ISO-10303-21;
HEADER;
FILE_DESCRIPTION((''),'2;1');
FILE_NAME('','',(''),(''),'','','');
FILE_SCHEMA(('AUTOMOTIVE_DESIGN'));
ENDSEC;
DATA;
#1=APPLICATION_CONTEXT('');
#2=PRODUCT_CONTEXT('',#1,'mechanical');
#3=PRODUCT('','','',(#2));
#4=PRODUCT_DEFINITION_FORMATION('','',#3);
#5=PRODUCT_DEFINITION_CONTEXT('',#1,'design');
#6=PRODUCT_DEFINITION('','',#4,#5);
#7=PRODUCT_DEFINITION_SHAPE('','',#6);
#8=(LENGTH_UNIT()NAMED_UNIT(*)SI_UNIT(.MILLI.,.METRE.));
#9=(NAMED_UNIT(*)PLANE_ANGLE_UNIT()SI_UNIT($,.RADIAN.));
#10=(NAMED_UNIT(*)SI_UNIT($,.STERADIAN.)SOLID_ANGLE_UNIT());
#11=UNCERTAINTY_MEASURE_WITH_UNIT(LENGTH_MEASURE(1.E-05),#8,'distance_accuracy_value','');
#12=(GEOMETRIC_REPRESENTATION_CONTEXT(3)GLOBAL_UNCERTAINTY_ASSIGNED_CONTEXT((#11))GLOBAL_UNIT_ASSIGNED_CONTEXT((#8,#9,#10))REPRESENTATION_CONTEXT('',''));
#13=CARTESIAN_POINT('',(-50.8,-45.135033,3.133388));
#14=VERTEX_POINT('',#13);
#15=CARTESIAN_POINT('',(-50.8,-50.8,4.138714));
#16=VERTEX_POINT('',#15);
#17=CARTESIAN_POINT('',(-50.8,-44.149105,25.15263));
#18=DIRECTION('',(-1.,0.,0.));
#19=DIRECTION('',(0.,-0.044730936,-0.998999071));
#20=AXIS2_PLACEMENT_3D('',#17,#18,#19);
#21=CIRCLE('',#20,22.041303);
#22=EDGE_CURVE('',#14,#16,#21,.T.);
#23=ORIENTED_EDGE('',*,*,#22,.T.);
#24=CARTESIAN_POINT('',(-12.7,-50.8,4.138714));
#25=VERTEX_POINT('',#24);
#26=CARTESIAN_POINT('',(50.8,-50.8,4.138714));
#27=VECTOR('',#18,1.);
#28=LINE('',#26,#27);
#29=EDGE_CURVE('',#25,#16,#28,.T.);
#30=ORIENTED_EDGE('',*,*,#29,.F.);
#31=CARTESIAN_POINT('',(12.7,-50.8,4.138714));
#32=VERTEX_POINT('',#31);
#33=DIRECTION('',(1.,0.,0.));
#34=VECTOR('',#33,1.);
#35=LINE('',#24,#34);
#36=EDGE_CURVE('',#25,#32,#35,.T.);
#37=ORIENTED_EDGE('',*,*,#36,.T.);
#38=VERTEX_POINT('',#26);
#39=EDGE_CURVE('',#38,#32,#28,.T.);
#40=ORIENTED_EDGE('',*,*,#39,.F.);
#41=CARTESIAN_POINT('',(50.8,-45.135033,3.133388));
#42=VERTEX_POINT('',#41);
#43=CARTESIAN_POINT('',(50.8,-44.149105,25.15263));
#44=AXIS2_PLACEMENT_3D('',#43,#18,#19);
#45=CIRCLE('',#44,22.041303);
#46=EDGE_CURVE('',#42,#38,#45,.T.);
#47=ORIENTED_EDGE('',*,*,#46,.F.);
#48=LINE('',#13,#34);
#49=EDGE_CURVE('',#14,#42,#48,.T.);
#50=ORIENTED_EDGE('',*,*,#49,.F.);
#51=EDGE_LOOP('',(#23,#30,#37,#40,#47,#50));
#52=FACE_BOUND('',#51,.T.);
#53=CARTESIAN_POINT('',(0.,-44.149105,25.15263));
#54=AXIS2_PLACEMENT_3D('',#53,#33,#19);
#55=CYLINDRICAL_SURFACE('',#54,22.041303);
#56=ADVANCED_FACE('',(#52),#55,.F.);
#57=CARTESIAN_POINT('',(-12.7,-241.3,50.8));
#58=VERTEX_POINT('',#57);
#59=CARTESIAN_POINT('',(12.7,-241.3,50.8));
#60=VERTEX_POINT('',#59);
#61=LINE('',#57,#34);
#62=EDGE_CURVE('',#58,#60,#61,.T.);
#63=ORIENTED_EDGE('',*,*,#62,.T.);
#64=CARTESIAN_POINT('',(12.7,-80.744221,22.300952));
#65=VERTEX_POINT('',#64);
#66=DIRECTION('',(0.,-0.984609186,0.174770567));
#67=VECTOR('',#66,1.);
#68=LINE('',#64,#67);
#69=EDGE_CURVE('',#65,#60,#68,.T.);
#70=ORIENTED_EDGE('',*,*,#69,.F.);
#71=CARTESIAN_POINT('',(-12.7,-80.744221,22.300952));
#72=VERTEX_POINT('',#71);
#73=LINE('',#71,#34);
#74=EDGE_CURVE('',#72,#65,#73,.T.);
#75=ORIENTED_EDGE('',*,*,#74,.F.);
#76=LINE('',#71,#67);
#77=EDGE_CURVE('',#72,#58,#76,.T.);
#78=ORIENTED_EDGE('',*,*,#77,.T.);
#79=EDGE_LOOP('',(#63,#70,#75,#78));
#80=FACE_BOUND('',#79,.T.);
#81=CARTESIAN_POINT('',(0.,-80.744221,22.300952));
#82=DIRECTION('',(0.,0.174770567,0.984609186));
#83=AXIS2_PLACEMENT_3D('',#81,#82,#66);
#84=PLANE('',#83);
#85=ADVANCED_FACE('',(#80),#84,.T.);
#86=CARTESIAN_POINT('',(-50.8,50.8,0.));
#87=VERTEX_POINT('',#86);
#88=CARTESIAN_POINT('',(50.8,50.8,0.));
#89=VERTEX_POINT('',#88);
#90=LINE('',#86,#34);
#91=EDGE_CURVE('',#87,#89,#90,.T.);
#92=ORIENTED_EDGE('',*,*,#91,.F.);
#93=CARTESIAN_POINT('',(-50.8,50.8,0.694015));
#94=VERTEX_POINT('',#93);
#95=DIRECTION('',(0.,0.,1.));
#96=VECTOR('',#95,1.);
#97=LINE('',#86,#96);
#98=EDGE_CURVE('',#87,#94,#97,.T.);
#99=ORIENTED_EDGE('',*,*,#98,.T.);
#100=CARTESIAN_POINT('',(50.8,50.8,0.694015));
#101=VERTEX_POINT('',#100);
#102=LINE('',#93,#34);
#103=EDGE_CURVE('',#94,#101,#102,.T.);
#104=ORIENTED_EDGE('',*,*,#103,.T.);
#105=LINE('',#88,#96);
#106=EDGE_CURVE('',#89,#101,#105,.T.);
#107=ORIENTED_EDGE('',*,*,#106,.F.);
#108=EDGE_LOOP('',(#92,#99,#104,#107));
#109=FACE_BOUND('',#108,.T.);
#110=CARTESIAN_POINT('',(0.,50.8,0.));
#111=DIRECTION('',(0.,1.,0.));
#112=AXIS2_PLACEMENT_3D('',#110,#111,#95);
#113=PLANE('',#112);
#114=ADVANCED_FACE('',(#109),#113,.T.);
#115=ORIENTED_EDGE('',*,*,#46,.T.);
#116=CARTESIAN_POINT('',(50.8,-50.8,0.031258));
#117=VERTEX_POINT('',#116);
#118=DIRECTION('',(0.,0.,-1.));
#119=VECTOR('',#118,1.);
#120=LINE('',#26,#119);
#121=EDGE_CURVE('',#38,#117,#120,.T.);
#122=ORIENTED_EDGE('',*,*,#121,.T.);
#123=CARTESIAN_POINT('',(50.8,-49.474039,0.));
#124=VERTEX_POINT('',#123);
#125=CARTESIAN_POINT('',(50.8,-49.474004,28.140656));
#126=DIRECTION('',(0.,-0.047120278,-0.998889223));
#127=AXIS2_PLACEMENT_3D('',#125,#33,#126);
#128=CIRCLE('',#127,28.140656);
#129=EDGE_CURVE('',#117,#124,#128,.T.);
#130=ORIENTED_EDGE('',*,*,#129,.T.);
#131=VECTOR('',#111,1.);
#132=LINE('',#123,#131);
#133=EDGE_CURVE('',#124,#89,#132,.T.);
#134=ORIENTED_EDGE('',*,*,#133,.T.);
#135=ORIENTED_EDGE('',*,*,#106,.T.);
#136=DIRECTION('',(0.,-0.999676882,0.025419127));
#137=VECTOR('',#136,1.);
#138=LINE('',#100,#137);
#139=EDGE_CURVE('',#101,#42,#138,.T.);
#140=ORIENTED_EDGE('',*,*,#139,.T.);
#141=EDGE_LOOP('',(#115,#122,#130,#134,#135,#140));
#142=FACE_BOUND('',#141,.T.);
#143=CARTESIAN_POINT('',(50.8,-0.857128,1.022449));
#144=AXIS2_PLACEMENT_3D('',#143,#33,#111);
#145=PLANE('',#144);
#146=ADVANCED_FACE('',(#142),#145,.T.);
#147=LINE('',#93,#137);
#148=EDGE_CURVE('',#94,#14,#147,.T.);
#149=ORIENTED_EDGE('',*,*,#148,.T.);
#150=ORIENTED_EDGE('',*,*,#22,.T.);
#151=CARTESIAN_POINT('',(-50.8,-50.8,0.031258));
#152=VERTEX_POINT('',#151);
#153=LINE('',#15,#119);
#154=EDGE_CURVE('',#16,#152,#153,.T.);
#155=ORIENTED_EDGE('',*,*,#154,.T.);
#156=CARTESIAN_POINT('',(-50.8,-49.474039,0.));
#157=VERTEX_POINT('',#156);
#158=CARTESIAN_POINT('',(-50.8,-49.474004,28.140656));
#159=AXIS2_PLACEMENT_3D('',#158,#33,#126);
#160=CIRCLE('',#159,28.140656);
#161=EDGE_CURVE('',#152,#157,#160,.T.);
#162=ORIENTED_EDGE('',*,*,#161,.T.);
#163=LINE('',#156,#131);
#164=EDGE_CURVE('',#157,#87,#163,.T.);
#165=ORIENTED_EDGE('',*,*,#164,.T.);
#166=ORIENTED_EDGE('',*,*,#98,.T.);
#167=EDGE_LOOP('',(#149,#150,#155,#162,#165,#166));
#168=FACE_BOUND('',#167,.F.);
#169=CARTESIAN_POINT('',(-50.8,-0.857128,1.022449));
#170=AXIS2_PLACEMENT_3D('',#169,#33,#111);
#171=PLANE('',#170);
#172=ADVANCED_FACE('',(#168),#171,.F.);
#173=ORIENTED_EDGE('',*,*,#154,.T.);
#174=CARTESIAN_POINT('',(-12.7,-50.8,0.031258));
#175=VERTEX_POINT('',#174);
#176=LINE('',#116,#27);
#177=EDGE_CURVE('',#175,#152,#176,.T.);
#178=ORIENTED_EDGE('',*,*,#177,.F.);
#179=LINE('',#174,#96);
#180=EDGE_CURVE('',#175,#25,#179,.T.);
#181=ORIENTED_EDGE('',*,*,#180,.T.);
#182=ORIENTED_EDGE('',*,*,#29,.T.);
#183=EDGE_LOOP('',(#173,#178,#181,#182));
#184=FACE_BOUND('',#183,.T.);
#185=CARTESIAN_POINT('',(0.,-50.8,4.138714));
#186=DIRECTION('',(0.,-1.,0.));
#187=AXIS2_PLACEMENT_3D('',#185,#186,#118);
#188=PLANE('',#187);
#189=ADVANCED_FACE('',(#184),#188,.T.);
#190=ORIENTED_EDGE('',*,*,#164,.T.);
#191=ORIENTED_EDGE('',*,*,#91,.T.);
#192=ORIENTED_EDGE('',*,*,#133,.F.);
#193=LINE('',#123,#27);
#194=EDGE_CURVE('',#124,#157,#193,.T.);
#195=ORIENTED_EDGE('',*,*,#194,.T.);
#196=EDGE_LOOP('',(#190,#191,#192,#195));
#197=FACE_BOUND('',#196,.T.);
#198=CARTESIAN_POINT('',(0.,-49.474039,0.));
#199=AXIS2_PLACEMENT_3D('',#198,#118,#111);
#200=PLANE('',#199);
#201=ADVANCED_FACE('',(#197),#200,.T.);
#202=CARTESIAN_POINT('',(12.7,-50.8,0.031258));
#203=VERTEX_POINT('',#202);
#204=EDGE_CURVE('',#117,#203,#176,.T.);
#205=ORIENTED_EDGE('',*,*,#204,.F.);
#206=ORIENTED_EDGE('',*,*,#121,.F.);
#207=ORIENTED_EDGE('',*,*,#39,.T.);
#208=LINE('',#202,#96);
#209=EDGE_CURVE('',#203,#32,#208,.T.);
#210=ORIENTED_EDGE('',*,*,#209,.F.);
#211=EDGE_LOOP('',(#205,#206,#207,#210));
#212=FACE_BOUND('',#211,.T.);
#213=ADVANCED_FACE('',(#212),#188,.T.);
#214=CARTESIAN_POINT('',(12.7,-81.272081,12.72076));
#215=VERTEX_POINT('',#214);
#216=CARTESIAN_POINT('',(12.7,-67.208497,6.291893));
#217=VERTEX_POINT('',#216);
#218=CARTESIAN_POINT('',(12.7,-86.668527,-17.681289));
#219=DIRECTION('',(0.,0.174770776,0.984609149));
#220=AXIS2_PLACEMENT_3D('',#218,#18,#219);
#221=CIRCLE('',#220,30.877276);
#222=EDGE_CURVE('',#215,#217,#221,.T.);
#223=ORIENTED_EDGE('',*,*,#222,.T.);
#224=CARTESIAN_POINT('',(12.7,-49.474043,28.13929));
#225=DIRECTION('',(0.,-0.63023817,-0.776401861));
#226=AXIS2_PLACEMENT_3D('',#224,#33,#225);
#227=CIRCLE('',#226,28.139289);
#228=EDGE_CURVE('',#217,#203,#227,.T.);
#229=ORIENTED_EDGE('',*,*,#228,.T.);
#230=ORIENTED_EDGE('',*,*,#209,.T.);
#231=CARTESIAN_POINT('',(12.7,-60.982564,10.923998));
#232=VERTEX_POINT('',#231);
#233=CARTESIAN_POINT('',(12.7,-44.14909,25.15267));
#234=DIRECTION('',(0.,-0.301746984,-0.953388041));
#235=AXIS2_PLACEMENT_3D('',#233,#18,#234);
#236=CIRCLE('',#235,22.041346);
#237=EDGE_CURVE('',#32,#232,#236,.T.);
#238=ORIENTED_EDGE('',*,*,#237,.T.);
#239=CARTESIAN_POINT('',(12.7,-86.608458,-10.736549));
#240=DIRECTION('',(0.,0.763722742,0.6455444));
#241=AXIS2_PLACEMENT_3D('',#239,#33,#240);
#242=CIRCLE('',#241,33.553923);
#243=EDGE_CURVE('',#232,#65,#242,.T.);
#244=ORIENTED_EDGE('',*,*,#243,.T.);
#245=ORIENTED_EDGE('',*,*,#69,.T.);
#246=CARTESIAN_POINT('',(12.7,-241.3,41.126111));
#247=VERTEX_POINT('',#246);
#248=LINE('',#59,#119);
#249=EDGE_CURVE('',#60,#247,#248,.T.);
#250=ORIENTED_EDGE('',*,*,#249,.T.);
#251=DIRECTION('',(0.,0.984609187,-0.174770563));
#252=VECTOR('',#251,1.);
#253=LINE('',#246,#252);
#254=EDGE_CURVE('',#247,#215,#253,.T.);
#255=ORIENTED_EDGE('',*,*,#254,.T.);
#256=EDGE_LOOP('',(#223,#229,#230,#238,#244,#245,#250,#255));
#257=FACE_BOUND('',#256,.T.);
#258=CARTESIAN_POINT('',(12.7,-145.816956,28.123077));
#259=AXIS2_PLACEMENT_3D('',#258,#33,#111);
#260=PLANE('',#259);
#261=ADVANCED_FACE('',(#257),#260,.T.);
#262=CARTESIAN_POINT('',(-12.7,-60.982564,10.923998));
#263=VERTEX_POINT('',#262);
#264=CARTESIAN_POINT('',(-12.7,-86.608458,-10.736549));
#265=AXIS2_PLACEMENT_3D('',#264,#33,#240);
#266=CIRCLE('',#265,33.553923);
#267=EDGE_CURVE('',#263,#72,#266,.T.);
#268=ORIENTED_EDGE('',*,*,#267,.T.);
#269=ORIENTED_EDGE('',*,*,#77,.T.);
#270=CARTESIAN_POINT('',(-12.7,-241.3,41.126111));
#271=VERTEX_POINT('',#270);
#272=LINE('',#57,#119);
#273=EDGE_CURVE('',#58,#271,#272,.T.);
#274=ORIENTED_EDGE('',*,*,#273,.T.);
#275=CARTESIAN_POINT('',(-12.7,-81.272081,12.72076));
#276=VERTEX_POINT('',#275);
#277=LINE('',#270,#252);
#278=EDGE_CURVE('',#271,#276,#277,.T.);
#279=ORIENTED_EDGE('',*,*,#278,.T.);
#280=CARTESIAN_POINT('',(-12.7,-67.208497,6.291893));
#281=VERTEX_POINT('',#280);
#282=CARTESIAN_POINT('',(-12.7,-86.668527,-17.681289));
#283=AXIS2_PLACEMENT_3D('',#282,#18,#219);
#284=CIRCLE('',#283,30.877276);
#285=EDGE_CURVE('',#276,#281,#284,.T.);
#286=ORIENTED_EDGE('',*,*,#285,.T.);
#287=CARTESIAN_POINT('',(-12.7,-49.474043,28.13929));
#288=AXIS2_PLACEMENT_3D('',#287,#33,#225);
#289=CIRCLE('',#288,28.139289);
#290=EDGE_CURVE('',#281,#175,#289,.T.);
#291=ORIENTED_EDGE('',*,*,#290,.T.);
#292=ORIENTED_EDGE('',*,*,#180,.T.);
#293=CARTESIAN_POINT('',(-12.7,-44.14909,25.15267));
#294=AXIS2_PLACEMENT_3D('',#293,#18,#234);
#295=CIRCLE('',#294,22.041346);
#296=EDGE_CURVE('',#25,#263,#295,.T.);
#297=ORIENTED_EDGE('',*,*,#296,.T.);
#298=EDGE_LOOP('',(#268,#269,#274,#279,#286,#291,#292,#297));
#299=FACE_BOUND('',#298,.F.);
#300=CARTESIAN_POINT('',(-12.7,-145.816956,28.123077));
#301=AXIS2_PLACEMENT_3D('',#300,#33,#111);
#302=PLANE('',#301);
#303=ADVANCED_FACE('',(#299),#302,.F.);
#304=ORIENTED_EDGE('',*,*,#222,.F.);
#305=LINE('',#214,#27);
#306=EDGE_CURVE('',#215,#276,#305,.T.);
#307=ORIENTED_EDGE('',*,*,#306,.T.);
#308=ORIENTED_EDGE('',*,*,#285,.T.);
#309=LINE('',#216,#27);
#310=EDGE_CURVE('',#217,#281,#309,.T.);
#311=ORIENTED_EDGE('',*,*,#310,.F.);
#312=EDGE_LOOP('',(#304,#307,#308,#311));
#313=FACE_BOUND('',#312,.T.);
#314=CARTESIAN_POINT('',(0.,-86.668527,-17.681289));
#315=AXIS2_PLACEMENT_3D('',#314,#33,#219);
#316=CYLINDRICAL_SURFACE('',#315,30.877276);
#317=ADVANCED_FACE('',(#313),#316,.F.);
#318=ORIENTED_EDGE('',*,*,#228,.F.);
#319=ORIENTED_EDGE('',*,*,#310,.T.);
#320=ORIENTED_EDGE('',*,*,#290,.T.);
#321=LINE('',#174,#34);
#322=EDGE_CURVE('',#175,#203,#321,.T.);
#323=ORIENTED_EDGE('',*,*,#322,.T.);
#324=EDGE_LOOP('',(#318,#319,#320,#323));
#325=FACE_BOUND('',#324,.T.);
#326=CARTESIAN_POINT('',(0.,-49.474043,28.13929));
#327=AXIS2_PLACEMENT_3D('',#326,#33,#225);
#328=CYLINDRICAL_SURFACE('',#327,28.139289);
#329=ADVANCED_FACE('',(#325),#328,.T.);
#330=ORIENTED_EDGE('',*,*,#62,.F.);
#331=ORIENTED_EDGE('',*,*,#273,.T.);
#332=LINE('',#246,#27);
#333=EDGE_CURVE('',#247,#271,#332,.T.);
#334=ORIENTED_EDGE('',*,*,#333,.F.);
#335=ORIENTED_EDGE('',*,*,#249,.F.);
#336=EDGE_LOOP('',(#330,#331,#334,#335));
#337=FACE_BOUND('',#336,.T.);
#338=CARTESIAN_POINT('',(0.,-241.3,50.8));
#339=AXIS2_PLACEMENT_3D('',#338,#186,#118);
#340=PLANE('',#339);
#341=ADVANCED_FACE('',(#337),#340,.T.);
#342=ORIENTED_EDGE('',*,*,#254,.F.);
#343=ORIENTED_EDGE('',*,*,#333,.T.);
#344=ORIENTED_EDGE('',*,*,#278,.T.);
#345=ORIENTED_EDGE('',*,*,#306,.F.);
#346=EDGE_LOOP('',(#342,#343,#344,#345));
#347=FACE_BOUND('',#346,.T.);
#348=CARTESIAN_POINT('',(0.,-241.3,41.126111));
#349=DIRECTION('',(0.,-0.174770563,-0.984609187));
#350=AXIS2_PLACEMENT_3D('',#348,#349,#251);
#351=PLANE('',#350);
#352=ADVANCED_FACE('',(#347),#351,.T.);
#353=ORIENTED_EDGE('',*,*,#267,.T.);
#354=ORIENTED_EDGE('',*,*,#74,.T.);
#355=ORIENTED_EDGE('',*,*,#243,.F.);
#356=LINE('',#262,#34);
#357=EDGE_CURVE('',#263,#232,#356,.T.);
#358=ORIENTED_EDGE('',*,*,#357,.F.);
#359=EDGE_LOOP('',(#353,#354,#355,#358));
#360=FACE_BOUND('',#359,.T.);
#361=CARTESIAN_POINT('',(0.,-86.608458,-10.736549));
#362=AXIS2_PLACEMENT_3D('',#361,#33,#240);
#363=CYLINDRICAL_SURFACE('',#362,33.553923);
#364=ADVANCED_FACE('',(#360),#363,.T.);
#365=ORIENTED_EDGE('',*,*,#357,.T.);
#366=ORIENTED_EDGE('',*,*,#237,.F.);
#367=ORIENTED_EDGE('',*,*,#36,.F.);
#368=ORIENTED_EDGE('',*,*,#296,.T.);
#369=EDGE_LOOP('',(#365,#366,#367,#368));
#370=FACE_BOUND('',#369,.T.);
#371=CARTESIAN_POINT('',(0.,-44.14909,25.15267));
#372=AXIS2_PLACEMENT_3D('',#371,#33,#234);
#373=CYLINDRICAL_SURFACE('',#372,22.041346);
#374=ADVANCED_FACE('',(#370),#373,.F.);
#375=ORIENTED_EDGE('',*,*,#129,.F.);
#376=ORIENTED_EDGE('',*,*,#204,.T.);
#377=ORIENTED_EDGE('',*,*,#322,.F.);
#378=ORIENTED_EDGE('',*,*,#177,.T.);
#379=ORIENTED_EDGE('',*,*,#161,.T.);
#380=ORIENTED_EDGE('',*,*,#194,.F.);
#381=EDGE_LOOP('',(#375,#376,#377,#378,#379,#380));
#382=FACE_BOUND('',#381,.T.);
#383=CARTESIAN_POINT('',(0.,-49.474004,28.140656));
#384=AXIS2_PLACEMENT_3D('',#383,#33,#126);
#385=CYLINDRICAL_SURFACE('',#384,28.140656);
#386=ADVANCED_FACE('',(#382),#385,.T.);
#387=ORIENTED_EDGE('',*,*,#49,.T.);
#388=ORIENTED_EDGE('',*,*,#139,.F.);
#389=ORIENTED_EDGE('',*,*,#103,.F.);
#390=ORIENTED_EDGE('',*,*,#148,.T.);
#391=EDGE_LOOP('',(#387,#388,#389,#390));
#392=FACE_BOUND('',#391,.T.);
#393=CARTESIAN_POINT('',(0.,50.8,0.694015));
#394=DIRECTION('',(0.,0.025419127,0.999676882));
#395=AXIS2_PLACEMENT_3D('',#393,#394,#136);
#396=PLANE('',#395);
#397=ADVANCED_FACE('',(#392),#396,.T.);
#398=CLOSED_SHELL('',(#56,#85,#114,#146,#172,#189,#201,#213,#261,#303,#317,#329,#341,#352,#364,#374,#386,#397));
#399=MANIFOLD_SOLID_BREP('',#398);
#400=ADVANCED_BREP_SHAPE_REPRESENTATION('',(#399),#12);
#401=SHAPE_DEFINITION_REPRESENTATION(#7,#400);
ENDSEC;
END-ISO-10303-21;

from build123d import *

# Parameters (mm, degrees)
F2_DEPTH = 50.8
F3_DEPTH = 12.7


with BuildPart() as f2:
    # F1 (on Right) → F2 (new body, symmetric)
    with BuildSketch(Plane.YZ):
        with BuildLine():
            Line((-49.474039, 0), (50.8, 0))
            Line((50.8, 0), (50.8, 0.694015))
            Line((50.8, 0.694015), (-45.135033, 3.133388))
            ThreePointArc((-45.135033, 3.133388), (-48.00046, 3.450415), (-50.8, 4.138714))
            Line((-50.8, 4.138714), (-50.8, 0.031258))
            ThreePointArc((-50.8, 0.031258), (-50.137204, 0.007816), (-49.474039, 0))
        make_face()
    extrude(amount=F2_DEPTH, both=True)

    # F1 (on Right) → F3 (join, symmetric)
    with BuildSketch(Plane.YZ):
        with BuildLine():
            ThreePointArc((-67.208497, 6.291893), (-59.50518, 1.848685), (-50.8, 0.031258))
            Line((-50.8, 0.031258), (-50.8, 4.138714))
            ThreePointArc((-50.8, 4.138714), (-56.371573, 6.810591), (-60.982564, 10.923998))
            ThreePointArc((-60.982564, 10.923998), (-69.867315, 18.342651), (-80.744221, 22.300952))
            Line((-80.744221, 22.300952), (-241.3, 50.8))
            Line((-241.3, 50.8), (-241.3, 41.126111))
            Line((-241.3, 41.126111), (-81.272081, 12.72076))
            ThreePointArc((-81.272081, 12.72076), (-73.831328, 10.400957), (-67.208497, 6.291893))
        make_face()
    extrude(amount=F3_DEPTH, both=True)


solid = f2.part
